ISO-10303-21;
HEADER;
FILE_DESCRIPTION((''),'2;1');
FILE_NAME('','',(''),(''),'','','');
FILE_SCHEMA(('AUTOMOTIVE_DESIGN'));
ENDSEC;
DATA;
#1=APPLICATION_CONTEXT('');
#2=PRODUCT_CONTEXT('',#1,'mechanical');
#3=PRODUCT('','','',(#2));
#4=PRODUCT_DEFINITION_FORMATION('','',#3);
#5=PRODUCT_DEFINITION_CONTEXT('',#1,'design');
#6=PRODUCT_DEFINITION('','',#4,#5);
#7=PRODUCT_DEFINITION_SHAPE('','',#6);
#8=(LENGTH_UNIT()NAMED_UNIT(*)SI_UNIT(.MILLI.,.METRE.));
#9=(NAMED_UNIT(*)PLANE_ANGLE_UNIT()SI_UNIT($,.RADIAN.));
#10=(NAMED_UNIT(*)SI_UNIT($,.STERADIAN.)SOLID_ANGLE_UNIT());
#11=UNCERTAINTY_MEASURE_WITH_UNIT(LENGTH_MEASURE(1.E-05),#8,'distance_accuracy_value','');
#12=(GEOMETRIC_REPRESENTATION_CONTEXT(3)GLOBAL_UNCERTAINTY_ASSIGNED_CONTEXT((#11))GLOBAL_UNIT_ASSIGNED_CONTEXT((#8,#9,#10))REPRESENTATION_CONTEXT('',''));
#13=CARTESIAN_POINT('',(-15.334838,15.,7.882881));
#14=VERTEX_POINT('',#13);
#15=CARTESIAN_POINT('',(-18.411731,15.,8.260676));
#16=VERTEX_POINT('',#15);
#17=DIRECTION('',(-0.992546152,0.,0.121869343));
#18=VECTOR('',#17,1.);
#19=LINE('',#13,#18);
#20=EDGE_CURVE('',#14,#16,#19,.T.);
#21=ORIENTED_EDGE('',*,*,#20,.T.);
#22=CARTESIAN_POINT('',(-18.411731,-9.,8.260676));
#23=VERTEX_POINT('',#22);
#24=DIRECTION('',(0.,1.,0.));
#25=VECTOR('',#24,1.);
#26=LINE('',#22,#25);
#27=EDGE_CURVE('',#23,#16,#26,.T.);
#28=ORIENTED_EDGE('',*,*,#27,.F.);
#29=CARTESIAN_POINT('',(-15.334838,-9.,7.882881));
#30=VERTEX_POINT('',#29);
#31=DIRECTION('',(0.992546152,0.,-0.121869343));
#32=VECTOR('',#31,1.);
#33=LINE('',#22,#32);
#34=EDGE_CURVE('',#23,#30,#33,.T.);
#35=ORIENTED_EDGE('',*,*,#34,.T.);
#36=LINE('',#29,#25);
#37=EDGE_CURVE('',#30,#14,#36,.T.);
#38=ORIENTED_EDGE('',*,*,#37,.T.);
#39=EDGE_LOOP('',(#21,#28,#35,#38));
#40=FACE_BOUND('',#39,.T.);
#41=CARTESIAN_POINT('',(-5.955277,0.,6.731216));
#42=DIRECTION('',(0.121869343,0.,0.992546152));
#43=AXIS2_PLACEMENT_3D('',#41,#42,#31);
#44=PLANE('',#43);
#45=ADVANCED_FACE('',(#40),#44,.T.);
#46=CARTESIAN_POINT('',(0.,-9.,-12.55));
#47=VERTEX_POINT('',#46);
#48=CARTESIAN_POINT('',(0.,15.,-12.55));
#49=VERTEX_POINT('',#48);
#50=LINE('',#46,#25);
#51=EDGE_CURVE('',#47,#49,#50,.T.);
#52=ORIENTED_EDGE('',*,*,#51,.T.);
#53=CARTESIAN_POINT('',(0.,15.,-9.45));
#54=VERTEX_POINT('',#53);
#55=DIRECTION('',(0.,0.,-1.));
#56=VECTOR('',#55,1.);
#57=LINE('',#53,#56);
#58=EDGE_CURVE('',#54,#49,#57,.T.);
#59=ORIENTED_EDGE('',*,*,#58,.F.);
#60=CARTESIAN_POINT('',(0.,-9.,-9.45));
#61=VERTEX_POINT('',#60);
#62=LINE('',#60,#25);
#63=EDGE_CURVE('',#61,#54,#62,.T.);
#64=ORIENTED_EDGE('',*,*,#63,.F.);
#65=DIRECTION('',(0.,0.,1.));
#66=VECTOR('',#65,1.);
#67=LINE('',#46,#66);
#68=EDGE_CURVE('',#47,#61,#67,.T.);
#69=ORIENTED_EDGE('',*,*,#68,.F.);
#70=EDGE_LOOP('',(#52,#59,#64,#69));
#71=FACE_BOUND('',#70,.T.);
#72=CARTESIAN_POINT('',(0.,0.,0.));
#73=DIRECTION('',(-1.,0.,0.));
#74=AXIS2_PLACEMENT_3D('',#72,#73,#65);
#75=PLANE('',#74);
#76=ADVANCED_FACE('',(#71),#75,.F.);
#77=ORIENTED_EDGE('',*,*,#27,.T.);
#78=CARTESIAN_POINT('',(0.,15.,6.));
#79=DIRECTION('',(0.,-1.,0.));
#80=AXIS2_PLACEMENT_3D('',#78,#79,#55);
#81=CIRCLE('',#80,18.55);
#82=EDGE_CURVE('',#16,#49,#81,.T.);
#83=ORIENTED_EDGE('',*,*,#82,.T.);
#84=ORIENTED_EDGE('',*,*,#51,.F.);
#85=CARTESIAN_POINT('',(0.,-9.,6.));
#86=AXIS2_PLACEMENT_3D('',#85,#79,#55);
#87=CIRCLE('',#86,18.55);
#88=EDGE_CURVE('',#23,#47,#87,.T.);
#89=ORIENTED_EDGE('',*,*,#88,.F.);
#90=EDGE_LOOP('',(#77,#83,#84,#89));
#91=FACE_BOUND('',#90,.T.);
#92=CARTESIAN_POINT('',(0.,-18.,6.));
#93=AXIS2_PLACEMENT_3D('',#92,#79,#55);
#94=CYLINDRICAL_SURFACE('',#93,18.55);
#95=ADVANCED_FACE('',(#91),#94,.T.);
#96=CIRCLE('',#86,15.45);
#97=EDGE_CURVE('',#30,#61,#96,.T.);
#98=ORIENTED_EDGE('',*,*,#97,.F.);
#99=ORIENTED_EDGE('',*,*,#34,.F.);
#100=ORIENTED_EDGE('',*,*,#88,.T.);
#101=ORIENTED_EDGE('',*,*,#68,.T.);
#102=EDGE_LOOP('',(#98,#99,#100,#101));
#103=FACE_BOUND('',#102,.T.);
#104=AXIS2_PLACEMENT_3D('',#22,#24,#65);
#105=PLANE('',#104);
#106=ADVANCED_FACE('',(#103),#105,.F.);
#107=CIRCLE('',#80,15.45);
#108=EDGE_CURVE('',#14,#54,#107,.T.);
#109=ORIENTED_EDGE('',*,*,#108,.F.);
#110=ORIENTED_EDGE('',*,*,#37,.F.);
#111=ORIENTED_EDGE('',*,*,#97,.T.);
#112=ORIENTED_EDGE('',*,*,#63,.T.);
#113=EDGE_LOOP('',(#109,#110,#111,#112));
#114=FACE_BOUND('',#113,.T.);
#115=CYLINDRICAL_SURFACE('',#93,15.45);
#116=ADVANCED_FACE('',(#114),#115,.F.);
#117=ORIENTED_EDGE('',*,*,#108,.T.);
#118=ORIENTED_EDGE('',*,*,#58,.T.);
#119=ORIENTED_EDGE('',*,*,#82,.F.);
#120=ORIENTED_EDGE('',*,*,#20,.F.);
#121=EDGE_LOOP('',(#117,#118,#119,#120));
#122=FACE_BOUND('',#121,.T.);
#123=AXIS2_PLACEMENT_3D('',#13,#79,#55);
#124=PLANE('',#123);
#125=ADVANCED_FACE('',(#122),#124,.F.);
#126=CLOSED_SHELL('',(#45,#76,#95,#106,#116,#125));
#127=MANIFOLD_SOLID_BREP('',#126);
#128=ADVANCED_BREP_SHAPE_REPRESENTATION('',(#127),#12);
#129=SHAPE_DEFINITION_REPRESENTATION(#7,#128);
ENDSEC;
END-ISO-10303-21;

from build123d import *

# Parameters (mm, degrees)
REVOLVESKETCH_W       = 3.1
REVOLVESKETCH_H       = 24
THINBOSSREVOLVE_ANGLE = 97


with BuildPart() as part:
    # RevolveSketch → ThinBossRevolve (revolve)
    with BuildSketch(Plane(origin=(0, 0, 0), x_dir=(0, 0, -1), z_dir=(1, 0, 0))):
        with Locations((11, 3)):
            Rectangle(REVOLVESKETCH_W, REVOLVESKETCH_H)
    revolve(axis=Axis((0, -18, 6), (0, 1, 0)), revolution_arc=THINBOSSREVOLVE_ANGLE)


solid = part.part
